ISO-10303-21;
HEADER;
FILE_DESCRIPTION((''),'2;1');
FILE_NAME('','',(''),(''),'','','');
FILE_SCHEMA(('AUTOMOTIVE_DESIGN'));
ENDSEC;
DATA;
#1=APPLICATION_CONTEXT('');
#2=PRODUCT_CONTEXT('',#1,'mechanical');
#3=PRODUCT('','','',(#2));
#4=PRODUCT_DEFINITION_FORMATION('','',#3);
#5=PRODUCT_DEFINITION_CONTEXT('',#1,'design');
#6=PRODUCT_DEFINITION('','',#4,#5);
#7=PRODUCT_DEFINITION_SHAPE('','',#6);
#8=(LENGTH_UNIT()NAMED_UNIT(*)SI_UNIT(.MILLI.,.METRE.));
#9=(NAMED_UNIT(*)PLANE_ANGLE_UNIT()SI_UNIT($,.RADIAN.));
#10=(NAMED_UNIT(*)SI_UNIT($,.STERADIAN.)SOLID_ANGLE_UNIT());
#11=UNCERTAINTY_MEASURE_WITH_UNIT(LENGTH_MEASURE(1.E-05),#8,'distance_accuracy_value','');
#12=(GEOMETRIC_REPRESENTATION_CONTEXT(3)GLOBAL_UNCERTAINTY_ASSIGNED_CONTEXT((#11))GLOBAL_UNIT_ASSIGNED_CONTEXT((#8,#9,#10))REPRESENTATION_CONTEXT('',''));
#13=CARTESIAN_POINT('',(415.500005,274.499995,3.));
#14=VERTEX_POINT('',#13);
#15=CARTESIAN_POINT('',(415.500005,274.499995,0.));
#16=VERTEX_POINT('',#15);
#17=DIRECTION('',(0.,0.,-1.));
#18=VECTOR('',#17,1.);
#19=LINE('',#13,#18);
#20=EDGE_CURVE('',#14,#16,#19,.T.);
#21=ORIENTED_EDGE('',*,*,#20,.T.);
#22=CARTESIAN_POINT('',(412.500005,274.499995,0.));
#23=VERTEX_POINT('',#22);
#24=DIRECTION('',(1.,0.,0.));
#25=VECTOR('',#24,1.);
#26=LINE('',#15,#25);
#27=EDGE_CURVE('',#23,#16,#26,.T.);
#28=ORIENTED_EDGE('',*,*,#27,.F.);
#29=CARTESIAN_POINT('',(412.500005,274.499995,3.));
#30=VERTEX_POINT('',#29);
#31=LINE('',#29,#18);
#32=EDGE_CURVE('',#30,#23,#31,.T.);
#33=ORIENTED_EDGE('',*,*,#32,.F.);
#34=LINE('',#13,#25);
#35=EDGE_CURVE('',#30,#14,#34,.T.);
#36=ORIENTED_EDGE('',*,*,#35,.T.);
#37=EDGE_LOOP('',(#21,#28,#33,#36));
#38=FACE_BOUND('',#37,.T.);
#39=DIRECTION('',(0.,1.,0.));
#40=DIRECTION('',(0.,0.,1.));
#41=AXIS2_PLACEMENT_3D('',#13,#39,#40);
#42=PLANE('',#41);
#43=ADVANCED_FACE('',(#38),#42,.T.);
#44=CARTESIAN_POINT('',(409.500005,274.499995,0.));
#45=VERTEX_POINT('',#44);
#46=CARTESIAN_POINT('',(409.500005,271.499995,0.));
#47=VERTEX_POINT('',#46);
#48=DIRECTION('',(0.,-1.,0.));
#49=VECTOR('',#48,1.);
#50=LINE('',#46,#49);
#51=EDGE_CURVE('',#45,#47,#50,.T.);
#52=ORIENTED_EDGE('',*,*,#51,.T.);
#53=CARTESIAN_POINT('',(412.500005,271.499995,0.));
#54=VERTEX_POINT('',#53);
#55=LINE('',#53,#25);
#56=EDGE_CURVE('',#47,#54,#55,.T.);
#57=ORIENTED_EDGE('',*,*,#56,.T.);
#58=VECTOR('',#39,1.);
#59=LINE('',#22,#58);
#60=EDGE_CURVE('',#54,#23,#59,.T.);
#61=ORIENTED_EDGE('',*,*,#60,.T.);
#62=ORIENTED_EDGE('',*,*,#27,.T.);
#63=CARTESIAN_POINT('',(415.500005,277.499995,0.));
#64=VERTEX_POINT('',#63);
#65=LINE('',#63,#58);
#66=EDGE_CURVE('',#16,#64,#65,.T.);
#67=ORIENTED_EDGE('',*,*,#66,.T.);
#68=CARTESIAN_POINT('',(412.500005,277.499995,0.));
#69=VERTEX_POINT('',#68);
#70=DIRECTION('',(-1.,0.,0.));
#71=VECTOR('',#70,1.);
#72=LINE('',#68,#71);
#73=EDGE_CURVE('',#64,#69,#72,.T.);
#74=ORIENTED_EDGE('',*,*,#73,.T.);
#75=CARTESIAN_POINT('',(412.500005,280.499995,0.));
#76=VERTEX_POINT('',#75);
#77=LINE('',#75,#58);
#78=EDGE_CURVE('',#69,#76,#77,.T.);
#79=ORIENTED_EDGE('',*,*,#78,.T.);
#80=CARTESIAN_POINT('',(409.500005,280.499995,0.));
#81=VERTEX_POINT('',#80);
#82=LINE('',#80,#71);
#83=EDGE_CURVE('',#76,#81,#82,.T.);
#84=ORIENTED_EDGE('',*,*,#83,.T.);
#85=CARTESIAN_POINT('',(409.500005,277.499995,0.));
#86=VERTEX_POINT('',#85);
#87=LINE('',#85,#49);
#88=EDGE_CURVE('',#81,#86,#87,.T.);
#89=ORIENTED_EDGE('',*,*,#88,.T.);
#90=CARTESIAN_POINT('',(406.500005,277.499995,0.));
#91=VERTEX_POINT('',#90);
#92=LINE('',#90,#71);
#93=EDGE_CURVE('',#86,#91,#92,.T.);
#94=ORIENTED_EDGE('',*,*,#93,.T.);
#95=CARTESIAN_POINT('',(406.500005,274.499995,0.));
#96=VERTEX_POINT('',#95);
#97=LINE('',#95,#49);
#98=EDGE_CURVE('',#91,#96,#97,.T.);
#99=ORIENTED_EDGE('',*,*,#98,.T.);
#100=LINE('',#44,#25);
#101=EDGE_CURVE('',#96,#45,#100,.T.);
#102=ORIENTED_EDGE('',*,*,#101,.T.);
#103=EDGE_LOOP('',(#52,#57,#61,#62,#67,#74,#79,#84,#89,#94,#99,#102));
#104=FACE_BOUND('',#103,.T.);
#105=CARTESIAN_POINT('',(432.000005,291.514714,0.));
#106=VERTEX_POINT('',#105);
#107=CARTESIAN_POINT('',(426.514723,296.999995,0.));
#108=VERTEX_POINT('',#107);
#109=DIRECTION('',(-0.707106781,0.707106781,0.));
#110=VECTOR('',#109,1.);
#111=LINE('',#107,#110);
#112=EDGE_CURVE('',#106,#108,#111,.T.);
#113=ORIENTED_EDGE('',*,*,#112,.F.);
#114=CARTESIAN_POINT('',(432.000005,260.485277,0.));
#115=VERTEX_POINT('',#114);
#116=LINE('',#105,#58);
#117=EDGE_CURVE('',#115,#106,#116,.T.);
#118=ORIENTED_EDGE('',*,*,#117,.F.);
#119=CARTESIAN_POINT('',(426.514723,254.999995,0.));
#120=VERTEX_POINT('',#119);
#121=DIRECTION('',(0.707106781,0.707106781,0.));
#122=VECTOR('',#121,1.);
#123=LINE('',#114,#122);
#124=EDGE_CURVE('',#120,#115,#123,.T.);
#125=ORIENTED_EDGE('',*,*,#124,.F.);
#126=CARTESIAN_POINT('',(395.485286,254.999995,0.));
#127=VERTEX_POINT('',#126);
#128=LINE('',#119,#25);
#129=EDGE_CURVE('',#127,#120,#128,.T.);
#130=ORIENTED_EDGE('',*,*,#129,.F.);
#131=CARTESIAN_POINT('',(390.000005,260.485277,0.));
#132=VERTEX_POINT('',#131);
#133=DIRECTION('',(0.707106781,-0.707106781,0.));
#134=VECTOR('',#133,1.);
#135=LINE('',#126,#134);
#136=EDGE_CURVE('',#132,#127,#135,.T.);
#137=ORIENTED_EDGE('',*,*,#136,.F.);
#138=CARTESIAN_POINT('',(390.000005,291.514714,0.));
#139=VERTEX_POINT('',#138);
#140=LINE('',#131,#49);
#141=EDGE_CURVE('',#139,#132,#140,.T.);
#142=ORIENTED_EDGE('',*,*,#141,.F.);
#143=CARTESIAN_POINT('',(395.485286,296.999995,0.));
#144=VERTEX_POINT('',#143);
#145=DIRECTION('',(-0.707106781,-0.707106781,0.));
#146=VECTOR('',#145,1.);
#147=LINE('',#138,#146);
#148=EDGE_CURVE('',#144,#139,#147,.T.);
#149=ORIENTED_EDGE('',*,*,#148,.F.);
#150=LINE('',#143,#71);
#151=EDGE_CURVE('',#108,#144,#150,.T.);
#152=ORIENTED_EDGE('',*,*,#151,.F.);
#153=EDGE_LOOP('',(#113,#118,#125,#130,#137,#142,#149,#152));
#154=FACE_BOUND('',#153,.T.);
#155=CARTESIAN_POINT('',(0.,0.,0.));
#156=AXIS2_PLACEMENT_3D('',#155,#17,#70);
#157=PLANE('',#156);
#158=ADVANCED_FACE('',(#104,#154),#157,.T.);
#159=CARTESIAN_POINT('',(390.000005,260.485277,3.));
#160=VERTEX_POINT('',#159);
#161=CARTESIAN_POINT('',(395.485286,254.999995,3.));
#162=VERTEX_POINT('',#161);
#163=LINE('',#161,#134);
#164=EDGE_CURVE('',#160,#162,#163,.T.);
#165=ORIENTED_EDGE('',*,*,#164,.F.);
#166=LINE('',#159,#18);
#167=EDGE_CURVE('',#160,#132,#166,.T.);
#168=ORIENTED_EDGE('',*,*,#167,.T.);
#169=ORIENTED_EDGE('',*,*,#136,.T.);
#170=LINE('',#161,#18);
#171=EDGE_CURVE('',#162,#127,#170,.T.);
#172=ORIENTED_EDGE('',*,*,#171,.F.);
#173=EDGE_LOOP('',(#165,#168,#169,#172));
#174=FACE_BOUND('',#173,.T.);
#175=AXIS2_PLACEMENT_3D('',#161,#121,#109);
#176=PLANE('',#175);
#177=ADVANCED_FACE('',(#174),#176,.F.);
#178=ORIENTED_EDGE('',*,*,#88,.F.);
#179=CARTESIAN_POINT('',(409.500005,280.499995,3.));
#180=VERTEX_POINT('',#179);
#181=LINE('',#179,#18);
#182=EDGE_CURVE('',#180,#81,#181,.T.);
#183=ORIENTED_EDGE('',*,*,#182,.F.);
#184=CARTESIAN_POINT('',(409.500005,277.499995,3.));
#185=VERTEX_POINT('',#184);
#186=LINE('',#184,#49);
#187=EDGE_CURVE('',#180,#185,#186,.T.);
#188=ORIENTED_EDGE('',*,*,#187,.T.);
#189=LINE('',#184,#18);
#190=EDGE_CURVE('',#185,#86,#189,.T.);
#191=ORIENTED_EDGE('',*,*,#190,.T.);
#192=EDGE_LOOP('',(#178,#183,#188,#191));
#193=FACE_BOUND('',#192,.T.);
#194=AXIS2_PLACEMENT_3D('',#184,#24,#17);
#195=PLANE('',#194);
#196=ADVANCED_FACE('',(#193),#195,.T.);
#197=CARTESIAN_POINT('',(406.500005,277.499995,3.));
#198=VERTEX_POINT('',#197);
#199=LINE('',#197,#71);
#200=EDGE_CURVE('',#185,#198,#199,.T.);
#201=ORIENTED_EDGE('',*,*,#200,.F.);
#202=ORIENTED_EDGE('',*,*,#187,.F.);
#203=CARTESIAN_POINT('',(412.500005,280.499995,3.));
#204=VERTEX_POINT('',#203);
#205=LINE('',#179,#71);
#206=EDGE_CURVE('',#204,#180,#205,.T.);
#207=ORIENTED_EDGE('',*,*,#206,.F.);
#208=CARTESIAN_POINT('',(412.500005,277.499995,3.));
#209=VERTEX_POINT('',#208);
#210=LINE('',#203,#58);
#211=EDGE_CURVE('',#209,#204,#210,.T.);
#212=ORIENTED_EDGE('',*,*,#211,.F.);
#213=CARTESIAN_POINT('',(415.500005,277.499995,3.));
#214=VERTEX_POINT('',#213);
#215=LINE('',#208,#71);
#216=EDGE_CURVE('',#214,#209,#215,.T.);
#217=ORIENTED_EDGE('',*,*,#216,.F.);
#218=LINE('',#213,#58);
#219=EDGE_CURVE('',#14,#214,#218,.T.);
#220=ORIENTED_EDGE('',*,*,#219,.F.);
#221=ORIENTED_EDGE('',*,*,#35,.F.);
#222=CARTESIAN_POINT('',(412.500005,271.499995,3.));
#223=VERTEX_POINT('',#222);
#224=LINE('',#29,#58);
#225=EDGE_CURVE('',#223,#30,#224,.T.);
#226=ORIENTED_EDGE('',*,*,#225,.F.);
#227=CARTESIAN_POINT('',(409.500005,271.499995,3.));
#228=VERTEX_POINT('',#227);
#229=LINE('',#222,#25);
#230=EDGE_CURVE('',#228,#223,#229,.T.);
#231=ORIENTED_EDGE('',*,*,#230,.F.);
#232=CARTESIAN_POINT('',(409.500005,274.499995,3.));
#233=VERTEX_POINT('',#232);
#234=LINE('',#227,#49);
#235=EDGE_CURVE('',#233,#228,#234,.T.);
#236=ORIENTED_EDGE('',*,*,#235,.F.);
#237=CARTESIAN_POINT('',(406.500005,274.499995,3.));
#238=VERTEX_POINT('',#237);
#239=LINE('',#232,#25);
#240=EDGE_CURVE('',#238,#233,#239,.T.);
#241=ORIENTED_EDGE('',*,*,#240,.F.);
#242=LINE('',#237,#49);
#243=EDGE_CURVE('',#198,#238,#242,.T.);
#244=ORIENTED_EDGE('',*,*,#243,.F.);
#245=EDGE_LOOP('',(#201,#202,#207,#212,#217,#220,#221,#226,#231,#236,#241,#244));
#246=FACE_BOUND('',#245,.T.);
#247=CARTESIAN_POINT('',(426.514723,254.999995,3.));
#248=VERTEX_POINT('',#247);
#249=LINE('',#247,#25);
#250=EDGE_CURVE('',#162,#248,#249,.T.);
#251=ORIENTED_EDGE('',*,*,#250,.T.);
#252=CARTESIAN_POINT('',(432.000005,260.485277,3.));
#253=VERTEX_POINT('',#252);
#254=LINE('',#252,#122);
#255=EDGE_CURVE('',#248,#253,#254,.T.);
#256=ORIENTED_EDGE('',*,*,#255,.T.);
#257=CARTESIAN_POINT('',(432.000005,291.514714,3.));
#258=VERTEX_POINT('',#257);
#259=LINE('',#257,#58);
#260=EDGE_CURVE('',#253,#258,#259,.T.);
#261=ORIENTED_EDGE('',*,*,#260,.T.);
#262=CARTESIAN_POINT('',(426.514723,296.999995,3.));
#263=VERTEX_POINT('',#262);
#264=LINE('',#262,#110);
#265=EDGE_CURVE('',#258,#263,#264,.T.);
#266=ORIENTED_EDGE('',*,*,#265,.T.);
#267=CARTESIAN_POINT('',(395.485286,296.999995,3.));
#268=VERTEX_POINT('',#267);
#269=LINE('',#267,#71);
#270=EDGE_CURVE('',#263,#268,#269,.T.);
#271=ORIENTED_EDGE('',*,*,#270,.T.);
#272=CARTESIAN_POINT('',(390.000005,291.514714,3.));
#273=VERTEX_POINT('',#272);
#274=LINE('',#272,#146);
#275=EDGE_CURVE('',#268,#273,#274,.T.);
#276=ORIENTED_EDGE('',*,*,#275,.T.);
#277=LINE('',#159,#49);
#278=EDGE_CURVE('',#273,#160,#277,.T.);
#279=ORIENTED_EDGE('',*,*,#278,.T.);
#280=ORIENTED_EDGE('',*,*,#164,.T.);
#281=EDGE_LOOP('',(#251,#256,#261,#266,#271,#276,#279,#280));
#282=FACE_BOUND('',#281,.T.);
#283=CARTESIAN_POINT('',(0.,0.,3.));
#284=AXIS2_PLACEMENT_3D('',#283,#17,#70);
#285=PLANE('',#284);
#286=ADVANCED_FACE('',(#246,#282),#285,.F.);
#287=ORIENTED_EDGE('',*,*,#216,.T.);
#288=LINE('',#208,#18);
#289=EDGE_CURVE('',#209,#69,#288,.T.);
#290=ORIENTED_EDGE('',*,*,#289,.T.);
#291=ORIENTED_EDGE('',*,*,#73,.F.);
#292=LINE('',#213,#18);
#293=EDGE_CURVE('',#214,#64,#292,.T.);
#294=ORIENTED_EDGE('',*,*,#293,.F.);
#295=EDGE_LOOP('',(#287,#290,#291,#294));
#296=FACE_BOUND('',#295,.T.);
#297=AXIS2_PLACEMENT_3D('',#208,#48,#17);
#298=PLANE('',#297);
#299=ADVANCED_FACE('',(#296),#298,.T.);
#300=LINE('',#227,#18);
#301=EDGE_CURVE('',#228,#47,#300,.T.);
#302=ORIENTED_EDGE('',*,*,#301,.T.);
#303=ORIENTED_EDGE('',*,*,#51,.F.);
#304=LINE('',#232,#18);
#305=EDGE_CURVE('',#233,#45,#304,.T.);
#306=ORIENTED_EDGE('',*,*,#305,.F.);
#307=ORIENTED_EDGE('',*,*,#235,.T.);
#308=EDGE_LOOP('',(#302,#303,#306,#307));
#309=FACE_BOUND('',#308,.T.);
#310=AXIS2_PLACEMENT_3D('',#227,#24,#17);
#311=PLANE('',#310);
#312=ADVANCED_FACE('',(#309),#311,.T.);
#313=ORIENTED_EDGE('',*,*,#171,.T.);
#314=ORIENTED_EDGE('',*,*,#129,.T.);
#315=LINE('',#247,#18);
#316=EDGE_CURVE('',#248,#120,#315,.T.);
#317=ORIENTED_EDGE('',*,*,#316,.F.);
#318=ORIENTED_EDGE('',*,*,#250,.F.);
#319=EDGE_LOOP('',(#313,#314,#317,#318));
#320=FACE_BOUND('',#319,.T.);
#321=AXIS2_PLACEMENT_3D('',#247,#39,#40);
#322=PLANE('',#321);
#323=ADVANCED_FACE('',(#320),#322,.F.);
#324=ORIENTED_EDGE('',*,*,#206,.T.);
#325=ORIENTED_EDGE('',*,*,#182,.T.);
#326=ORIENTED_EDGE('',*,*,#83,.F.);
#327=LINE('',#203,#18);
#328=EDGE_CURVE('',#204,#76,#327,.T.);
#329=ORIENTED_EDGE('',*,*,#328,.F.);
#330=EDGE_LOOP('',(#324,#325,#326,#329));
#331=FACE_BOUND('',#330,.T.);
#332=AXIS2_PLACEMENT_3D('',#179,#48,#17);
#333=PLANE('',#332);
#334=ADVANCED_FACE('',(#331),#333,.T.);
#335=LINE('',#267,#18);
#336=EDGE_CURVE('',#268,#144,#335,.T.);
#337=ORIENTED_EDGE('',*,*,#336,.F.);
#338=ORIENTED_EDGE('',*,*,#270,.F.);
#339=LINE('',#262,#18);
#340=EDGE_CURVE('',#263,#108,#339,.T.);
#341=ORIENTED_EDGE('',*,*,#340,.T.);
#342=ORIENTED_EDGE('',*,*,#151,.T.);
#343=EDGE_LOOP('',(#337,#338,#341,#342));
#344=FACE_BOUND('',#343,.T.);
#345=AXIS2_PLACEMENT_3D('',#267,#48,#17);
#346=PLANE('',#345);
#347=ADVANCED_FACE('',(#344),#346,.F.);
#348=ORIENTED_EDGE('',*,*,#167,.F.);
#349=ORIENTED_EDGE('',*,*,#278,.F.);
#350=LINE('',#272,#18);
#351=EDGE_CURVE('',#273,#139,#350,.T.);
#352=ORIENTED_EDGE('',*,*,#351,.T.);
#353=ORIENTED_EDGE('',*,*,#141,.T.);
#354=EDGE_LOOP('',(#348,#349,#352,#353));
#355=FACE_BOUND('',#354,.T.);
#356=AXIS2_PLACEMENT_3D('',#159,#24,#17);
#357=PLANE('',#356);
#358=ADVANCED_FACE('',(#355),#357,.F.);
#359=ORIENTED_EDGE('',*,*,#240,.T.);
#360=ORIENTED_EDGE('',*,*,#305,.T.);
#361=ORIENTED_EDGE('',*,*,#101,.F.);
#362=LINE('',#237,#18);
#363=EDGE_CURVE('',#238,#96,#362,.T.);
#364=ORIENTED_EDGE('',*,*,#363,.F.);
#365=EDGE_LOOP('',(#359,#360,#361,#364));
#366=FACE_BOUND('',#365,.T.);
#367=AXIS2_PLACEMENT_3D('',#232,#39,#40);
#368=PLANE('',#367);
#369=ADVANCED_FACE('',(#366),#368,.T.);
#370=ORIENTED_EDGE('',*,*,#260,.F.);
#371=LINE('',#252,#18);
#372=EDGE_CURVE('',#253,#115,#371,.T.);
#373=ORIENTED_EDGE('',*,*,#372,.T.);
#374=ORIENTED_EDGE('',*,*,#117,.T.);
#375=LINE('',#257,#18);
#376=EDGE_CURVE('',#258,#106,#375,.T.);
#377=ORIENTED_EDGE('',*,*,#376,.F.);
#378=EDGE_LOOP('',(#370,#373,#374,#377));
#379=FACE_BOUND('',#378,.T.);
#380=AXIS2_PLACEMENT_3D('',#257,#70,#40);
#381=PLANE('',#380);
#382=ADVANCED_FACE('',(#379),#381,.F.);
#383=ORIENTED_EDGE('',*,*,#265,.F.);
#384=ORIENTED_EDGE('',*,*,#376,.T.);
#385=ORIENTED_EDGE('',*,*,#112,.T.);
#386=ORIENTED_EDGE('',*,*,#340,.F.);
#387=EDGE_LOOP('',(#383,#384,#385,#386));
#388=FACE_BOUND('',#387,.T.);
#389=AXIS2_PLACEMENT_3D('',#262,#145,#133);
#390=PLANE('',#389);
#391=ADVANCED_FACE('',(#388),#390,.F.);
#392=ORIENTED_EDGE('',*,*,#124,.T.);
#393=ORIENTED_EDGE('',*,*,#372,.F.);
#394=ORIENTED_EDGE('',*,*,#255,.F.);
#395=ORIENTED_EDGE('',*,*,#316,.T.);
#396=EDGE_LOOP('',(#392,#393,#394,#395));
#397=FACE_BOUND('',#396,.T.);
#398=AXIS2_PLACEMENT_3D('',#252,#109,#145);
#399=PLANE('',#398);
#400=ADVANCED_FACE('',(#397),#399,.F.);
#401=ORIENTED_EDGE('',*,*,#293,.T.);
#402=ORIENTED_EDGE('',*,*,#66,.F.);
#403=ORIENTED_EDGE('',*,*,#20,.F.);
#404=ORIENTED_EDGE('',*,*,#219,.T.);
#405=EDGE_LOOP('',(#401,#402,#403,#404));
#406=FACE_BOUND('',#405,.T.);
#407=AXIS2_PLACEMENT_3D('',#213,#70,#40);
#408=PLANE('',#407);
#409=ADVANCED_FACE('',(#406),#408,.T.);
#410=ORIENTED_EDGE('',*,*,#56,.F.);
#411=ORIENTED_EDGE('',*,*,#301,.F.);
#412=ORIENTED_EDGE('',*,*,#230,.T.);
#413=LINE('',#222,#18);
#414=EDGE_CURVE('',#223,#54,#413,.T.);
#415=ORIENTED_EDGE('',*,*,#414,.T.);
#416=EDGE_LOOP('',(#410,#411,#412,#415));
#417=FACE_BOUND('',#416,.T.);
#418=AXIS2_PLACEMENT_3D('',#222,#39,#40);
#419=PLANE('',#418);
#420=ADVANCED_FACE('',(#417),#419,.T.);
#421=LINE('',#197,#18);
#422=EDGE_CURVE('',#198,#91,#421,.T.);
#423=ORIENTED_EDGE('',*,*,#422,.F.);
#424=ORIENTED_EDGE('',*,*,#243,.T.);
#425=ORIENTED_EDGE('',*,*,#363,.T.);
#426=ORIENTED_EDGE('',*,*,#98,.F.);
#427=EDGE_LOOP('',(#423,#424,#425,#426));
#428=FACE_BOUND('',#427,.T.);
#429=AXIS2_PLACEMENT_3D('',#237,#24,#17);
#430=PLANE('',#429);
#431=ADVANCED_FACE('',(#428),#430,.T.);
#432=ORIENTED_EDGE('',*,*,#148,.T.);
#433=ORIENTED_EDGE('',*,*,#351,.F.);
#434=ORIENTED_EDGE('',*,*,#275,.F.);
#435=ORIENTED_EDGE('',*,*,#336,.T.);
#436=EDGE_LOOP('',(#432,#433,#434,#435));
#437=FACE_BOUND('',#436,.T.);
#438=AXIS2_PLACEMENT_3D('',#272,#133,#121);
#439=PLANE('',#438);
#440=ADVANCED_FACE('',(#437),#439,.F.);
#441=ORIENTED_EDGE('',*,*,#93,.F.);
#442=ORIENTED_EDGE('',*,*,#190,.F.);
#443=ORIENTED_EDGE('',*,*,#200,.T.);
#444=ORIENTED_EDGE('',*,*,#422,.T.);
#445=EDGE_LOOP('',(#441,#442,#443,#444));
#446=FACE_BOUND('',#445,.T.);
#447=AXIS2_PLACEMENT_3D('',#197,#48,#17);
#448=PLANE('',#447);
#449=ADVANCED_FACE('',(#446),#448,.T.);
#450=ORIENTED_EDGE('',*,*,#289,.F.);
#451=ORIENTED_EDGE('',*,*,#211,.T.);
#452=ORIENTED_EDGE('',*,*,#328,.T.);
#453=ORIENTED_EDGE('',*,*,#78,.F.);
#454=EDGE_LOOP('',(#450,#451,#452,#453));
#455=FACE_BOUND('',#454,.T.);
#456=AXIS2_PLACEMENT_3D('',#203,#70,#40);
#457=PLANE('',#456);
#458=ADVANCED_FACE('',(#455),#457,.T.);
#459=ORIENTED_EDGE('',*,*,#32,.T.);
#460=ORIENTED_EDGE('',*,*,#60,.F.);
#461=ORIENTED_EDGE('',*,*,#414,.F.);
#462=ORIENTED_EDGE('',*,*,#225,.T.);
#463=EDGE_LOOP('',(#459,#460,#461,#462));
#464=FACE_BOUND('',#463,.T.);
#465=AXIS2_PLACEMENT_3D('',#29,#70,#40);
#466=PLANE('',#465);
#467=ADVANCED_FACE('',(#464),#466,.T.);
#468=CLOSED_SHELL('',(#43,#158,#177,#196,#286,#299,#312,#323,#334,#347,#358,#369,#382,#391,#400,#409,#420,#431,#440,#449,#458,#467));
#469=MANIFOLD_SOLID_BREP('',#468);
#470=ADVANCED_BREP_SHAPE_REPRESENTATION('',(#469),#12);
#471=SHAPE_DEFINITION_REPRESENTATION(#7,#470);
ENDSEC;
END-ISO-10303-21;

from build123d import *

# Parameters (mm, degrees)
BOSS_EXTRUDE1_DEPTH = 3


with BuildPart() as part:
    # Sketch1 → Boss-Extrude1 (new body)
    with BuildSketch(Plane.XY):
        Polygon((426.514723486, 254.99999521), (395.485286234, 254.99999521), (390.00000486, 260.485276584), (390.00000486, 291.514713836), (395.485286234, 296.99999521), (426.514723486, 296.99999521), (432.00000486, 291.514713836), (432.00000486, 260.485276584), align=None)
        Polygon((412.50000486, 280.49999521), (412.50000486, 277.49999521), (415.50000486, 277.49999521), (415.50000486, 274.49999521), (412.50000486, 274.49999521), (412.50000486, 271.49999521), (409.50000486, 271.49999521), (409.50000486, 274.49999521), (406.50000486, 274.49999521), (406.50000486, 277.49999521), (409.50000486, 277.49999521), (409.50000486, 280.49999521), align=None, mode=Mode.SUBTRACT)
    extrude(amount=BOSS_EXTRUDE1_DEPTH)


solid = part.part
